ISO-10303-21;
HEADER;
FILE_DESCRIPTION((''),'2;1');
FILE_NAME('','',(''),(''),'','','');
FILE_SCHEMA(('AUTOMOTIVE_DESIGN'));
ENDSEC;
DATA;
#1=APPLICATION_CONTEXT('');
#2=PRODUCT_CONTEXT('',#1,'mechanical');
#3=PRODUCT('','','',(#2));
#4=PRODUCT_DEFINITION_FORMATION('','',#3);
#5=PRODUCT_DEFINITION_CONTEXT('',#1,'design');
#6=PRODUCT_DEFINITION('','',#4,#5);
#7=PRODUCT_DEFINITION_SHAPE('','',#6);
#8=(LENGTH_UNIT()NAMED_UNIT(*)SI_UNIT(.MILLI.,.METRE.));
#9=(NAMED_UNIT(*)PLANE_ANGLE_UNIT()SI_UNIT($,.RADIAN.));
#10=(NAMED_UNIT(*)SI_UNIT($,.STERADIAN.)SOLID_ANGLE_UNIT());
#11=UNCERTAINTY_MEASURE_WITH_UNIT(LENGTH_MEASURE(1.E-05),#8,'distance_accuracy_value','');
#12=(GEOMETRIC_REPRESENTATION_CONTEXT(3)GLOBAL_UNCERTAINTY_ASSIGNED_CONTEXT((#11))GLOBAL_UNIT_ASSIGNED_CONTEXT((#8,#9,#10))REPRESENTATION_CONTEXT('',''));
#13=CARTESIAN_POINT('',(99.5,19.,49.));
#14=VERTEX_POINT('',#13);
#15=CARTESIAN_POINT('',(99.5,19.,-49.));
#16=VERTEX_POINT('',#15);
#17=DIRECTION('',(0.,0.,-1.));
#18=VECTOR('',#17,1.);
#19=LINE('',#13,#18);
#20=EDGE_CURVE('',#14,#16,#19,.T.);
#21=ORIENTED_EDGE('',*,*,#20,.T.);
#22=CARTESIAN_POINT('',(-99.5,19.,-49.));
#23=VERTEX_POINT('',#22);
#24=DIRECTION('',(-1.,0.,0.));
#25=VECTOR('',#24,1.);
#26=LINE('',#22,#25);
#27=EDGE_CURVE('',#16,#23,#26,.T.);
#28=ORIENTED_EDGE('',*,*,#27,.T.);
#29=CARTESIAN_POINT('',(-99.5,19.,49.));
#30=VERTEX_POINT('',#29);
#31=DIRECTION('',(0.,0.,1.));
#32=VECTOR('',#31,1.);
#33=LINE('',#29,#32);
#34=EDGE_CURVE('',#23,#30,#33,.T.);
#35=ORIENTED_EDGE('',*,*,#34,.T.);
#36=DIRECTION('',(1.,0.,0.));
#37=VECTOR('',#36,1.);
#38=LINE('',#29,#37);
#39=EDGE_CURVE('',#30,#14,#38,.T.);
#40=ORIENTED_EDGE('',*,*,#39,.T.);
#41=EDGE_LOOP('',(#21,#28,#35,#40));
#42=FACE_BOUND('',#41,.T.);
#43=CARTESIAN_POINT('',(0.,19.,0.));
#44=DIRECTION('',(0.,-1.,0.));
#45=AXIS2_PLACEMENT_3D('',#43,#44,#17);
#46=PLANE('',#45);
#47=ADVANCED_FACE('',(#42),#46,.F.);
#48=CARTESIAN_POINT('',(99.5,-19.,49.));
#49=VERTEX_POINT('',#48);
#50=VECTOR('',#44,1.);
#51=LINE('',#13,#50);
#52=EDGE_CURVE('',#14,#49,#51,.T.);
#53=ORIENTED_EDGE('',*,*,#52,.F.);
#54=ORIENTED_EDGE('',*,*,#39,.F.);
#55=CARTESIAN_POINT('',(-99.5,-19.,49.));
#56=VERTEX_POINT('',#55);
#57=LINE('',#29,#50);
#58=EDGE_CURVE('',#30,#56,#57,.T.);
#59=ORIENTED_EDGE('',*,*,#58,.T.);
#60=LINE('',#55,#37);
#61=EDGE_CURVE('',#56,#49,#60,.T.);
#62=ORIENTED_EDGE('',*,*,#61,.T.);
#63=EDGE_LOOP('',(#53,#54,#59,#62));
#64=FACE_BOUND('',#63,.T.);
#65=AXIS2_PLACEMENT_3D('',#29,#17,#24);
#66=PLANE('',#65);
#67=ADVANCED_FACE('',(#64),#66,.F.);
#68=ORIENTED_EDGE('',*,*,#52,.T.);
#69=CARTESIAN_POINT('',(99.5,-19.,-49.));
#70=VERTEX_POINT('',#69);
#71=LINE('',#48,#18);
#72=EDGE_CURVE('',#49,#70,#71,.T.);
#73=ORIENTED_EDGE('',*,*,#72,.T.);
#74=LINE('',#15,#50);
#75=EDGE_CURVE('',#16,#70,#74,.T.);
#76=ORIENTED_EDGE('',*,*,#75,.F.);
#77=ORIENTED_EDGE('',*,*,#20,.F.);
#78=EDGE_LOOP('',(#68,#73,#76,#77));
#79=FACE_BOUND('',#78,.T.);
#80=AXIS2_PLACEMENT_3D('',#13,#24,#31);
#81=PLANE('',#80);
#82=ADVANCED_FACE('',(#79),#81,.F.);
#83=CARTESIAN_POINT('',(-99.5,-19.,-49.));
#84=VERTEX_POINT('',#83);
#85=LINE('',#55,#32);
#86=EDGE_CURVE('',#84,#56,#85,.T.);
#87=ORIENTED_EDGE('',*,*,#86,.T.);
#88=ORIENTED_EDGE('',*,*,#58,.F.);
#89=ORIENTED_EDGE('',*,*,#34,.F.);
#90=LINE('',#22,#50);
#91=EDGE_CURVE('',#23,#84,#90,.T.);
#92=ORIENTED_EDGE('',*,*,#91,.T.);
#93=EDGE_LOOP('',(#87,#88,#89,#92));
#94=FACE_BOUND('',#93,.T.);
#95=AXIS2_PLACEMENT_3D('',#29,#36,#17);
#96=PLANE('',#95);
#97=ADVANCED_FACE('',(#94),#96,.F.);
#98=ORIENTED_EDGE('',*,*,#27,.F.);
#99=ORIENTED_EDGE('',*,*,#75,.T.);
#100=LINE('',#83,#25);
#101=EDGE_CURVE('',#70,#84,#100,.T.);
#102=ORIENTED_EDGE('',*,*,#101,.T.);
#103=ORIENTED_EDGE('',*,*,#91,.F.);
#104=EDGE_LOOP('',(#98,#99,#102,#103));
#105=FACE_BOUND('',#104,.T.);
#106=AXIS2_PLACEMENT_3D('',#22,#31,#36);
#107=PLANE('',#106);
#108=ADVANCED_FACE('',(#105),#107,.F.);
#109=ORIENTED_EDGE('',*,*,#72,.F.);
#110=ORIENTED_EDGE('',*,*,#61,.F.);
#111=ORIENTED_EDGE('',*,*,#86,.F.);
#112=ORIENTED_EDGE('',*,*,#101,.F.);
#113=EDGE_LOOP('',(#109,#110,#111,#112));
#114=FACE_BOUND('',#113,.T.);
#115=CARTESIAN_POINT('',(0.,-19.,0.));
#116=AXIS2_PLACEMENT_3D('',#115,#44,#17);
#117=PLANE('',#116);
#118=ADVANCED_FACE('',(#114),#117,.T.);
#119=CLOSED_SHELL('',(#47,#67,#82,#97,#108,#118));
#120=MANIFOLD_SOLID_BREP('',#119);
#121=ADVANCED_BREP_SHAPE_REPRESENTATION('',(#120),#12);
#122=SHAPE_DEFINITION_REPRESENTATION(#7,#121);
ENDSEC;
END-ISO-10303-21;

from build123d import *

# Parameters (mm, degrees)
SKETCH1_W           = 199
SKETCH1_H           = 98
BOSS_EXTRUDE1_DEPTH = 19


with BuildPart() as part:
    # Sketch1 → Boss-Extrude1 (new body, symmetric)
    with BuildSketch(Plane(origin=(0, 0, 0), x_dir=(1, 0, 0), z_dir=(0, 1, 0))):
        Rectangle(SKETCH1_W, SKETCH1_H)
    extrude(amount=BOSS_EXTRUDE1_DEPTH, both=True)


solid = part.part
